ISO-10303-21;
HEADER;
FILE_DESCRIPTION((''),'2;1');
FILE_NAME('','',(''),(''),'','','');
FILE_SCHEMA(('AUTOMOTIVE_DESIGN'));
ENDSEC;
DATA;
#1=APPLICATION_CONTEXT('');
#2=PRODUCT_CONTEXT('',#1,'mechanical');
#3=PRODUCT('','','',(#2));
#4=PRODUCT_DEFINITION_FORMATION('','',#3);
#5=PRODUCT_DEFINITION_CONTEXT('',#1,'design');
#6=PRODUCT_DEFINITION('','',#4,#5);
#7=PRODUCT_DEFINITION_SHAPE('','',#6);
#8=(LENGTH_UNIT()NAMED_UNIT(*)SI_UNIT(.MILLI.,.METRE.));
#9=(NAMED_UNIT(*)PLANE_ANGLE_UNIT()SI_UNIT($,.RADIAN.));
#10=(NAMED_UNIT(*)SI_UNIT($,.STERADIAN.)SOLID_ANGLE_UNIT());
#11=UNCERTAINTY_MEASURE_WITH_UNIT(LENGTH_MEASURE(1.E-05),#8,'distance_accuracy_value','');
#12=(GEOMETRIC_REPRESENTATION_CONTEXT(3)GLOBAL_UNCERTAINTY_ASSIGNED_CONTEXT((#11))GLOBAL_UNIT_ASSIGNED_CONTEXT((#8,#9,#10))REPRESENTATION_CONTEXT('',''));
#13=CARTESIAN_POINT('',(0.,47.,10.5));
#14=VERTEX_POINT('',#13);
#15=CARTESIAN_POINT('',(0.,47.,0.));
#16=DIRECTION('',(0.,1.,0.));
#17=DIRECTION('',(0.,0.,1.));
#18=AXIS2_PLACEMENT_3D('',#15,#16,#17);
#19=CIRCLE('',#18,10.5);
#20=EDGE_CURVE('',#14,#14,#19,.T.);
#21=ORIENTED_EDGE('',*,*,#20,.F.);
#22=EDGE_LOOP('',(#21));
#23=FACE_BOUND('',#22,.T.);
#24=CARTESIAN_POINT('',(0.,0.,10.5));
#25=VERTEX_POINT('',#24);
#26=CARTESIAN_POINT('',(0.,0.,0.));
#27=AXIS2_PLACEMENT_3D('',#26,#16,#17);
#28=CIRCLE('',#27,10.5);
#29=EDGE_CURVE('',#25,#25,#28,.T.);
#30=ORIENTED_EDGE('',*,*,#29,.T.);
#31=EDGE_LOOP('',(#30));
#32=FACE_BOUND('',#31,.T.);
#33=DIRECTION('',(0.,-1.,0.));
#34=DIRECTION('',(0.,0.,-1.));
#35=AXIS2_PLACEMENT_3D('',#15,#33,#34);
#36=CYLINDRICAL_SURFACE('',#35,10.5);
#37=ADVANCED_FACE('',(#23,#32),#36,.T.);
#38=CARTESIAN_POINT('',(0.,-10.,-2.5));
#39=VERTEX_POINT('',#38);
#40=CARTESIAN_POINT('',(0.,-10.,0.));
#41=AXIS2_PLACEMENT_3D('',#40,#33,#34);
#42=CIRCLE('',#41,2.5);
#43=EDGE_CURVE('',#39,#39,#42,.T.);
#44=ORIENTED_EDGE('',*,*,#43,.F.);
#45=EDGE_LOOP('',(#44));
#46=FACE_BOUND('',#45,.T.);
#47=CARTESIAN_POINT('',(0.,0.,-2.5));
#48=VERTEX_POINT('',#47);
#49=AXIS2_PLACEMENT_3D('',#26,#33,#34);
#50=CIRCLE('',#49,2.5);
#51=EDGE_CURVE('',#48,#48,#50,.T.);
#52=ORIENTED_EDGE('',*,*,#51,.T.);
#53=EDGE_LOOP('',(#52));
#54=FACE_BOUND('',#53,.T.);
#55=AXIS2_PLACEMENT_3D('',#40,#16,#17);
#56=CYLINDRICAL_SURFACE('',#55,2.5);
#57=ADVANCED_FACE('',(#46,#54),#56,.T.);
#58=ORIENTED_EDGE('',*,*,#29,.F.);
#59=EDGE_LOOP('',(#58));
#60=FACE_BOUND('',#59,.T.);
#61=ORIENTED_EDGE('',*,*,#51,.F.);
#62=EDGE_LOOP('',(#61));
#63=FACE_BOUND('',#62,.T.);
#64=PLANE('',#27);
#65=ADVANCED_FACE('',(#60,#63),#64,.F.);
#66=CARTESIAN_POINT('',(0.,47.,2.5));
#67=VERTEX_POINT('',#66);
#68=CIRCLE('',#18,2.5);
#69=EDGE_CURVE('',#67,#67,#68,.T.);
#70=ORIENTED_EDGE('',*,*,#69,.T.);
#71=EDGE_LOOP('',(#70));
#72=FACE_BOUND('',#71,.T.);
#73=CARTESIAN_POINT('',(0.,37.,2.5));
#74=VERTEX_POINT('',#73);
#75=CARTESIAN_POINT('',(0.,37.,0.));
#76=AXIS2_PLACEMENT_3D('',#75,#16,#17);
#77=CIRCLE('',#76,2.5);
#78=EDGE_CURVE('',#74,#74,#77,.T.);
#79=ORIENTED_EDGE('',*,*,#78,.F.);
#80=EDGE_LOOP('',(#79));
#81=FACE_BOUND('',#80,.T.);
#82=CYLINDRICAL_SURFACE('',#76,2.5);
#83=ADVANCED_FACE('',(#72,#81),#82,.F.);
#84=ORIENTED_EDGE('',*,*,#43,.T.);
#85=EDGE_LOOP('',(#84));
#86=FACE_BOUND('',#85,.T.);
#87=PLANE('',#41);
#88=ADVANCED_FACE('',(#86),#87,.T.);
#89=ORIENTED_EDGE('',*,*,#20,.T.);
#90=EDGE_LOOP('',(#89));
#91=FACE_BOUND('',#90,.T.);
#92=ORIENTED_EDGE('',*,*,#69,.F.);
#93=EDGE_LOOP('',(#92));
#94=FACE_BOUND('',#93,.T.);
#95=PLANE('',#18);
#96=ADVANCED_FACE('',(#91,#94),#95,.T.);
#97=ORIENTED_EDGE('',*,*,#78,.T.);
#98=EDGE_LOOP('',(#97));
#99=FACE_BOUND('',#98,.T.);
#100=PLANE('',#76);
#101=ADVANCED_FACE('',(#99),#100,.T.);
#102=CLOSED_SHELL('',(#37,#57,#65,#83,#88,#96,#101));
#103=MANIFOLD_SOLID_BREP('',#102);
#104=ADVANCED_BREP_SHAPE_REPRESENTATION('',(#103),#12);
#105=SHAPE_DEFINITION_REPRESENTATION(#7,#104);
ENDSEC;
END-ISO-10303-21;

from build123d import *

# Parameters (mm, degrees)
SKETCH1_R           = 10.5
BOSS_EXTRUDE1_DEPTH = 47
SKETCH2_R           = 2.5
CUT_EXTRUDE1_DEPTH  = 10
SKETCH3_R           = 2.5
BOSS_EXTRUDE2_DEPTH = 10


with BuildPart() as part:
    # Sketch1 → Boss-Extrude1 (new body)
    with BuildSketch(Plane(origin=(0, 0, 0), x_dir=(1, 0, 0), z_dir=(0, 1, 0))):
        with Locations(Location((0, 0, 0), (0, 0, 270))):
            Circle(SKETCH1_R)
    extrude(amount=BOSS_EXTRUDE1_DEPTH)

    # Sketch2 → Cut-Extrude1 (cut)
    with BuildSketch(Plane(origin=(0, 47, 0), x_dir=(1, 0, 0), z_dir=(0, 1, 0))):
        with Locations(Location((0, 0, 0), (0, 0, 270))):
            Circle(SKETCH2_R)
    extrude(amount=-CUT_EXTRUDE1_DEPTH, mode=Mode.SUBTRACT)

    # Sketch3 → Boss-Extrude2 (add)
    with BuildSketch(Plane.XZ):
        with Locations(Location((0, 0, 0), (0, 0, 90))):
            Circle(SKETCH3_R)
    extrude(amount=BOSS_EXTRUDE2_DEPTH)


solid = part.part
